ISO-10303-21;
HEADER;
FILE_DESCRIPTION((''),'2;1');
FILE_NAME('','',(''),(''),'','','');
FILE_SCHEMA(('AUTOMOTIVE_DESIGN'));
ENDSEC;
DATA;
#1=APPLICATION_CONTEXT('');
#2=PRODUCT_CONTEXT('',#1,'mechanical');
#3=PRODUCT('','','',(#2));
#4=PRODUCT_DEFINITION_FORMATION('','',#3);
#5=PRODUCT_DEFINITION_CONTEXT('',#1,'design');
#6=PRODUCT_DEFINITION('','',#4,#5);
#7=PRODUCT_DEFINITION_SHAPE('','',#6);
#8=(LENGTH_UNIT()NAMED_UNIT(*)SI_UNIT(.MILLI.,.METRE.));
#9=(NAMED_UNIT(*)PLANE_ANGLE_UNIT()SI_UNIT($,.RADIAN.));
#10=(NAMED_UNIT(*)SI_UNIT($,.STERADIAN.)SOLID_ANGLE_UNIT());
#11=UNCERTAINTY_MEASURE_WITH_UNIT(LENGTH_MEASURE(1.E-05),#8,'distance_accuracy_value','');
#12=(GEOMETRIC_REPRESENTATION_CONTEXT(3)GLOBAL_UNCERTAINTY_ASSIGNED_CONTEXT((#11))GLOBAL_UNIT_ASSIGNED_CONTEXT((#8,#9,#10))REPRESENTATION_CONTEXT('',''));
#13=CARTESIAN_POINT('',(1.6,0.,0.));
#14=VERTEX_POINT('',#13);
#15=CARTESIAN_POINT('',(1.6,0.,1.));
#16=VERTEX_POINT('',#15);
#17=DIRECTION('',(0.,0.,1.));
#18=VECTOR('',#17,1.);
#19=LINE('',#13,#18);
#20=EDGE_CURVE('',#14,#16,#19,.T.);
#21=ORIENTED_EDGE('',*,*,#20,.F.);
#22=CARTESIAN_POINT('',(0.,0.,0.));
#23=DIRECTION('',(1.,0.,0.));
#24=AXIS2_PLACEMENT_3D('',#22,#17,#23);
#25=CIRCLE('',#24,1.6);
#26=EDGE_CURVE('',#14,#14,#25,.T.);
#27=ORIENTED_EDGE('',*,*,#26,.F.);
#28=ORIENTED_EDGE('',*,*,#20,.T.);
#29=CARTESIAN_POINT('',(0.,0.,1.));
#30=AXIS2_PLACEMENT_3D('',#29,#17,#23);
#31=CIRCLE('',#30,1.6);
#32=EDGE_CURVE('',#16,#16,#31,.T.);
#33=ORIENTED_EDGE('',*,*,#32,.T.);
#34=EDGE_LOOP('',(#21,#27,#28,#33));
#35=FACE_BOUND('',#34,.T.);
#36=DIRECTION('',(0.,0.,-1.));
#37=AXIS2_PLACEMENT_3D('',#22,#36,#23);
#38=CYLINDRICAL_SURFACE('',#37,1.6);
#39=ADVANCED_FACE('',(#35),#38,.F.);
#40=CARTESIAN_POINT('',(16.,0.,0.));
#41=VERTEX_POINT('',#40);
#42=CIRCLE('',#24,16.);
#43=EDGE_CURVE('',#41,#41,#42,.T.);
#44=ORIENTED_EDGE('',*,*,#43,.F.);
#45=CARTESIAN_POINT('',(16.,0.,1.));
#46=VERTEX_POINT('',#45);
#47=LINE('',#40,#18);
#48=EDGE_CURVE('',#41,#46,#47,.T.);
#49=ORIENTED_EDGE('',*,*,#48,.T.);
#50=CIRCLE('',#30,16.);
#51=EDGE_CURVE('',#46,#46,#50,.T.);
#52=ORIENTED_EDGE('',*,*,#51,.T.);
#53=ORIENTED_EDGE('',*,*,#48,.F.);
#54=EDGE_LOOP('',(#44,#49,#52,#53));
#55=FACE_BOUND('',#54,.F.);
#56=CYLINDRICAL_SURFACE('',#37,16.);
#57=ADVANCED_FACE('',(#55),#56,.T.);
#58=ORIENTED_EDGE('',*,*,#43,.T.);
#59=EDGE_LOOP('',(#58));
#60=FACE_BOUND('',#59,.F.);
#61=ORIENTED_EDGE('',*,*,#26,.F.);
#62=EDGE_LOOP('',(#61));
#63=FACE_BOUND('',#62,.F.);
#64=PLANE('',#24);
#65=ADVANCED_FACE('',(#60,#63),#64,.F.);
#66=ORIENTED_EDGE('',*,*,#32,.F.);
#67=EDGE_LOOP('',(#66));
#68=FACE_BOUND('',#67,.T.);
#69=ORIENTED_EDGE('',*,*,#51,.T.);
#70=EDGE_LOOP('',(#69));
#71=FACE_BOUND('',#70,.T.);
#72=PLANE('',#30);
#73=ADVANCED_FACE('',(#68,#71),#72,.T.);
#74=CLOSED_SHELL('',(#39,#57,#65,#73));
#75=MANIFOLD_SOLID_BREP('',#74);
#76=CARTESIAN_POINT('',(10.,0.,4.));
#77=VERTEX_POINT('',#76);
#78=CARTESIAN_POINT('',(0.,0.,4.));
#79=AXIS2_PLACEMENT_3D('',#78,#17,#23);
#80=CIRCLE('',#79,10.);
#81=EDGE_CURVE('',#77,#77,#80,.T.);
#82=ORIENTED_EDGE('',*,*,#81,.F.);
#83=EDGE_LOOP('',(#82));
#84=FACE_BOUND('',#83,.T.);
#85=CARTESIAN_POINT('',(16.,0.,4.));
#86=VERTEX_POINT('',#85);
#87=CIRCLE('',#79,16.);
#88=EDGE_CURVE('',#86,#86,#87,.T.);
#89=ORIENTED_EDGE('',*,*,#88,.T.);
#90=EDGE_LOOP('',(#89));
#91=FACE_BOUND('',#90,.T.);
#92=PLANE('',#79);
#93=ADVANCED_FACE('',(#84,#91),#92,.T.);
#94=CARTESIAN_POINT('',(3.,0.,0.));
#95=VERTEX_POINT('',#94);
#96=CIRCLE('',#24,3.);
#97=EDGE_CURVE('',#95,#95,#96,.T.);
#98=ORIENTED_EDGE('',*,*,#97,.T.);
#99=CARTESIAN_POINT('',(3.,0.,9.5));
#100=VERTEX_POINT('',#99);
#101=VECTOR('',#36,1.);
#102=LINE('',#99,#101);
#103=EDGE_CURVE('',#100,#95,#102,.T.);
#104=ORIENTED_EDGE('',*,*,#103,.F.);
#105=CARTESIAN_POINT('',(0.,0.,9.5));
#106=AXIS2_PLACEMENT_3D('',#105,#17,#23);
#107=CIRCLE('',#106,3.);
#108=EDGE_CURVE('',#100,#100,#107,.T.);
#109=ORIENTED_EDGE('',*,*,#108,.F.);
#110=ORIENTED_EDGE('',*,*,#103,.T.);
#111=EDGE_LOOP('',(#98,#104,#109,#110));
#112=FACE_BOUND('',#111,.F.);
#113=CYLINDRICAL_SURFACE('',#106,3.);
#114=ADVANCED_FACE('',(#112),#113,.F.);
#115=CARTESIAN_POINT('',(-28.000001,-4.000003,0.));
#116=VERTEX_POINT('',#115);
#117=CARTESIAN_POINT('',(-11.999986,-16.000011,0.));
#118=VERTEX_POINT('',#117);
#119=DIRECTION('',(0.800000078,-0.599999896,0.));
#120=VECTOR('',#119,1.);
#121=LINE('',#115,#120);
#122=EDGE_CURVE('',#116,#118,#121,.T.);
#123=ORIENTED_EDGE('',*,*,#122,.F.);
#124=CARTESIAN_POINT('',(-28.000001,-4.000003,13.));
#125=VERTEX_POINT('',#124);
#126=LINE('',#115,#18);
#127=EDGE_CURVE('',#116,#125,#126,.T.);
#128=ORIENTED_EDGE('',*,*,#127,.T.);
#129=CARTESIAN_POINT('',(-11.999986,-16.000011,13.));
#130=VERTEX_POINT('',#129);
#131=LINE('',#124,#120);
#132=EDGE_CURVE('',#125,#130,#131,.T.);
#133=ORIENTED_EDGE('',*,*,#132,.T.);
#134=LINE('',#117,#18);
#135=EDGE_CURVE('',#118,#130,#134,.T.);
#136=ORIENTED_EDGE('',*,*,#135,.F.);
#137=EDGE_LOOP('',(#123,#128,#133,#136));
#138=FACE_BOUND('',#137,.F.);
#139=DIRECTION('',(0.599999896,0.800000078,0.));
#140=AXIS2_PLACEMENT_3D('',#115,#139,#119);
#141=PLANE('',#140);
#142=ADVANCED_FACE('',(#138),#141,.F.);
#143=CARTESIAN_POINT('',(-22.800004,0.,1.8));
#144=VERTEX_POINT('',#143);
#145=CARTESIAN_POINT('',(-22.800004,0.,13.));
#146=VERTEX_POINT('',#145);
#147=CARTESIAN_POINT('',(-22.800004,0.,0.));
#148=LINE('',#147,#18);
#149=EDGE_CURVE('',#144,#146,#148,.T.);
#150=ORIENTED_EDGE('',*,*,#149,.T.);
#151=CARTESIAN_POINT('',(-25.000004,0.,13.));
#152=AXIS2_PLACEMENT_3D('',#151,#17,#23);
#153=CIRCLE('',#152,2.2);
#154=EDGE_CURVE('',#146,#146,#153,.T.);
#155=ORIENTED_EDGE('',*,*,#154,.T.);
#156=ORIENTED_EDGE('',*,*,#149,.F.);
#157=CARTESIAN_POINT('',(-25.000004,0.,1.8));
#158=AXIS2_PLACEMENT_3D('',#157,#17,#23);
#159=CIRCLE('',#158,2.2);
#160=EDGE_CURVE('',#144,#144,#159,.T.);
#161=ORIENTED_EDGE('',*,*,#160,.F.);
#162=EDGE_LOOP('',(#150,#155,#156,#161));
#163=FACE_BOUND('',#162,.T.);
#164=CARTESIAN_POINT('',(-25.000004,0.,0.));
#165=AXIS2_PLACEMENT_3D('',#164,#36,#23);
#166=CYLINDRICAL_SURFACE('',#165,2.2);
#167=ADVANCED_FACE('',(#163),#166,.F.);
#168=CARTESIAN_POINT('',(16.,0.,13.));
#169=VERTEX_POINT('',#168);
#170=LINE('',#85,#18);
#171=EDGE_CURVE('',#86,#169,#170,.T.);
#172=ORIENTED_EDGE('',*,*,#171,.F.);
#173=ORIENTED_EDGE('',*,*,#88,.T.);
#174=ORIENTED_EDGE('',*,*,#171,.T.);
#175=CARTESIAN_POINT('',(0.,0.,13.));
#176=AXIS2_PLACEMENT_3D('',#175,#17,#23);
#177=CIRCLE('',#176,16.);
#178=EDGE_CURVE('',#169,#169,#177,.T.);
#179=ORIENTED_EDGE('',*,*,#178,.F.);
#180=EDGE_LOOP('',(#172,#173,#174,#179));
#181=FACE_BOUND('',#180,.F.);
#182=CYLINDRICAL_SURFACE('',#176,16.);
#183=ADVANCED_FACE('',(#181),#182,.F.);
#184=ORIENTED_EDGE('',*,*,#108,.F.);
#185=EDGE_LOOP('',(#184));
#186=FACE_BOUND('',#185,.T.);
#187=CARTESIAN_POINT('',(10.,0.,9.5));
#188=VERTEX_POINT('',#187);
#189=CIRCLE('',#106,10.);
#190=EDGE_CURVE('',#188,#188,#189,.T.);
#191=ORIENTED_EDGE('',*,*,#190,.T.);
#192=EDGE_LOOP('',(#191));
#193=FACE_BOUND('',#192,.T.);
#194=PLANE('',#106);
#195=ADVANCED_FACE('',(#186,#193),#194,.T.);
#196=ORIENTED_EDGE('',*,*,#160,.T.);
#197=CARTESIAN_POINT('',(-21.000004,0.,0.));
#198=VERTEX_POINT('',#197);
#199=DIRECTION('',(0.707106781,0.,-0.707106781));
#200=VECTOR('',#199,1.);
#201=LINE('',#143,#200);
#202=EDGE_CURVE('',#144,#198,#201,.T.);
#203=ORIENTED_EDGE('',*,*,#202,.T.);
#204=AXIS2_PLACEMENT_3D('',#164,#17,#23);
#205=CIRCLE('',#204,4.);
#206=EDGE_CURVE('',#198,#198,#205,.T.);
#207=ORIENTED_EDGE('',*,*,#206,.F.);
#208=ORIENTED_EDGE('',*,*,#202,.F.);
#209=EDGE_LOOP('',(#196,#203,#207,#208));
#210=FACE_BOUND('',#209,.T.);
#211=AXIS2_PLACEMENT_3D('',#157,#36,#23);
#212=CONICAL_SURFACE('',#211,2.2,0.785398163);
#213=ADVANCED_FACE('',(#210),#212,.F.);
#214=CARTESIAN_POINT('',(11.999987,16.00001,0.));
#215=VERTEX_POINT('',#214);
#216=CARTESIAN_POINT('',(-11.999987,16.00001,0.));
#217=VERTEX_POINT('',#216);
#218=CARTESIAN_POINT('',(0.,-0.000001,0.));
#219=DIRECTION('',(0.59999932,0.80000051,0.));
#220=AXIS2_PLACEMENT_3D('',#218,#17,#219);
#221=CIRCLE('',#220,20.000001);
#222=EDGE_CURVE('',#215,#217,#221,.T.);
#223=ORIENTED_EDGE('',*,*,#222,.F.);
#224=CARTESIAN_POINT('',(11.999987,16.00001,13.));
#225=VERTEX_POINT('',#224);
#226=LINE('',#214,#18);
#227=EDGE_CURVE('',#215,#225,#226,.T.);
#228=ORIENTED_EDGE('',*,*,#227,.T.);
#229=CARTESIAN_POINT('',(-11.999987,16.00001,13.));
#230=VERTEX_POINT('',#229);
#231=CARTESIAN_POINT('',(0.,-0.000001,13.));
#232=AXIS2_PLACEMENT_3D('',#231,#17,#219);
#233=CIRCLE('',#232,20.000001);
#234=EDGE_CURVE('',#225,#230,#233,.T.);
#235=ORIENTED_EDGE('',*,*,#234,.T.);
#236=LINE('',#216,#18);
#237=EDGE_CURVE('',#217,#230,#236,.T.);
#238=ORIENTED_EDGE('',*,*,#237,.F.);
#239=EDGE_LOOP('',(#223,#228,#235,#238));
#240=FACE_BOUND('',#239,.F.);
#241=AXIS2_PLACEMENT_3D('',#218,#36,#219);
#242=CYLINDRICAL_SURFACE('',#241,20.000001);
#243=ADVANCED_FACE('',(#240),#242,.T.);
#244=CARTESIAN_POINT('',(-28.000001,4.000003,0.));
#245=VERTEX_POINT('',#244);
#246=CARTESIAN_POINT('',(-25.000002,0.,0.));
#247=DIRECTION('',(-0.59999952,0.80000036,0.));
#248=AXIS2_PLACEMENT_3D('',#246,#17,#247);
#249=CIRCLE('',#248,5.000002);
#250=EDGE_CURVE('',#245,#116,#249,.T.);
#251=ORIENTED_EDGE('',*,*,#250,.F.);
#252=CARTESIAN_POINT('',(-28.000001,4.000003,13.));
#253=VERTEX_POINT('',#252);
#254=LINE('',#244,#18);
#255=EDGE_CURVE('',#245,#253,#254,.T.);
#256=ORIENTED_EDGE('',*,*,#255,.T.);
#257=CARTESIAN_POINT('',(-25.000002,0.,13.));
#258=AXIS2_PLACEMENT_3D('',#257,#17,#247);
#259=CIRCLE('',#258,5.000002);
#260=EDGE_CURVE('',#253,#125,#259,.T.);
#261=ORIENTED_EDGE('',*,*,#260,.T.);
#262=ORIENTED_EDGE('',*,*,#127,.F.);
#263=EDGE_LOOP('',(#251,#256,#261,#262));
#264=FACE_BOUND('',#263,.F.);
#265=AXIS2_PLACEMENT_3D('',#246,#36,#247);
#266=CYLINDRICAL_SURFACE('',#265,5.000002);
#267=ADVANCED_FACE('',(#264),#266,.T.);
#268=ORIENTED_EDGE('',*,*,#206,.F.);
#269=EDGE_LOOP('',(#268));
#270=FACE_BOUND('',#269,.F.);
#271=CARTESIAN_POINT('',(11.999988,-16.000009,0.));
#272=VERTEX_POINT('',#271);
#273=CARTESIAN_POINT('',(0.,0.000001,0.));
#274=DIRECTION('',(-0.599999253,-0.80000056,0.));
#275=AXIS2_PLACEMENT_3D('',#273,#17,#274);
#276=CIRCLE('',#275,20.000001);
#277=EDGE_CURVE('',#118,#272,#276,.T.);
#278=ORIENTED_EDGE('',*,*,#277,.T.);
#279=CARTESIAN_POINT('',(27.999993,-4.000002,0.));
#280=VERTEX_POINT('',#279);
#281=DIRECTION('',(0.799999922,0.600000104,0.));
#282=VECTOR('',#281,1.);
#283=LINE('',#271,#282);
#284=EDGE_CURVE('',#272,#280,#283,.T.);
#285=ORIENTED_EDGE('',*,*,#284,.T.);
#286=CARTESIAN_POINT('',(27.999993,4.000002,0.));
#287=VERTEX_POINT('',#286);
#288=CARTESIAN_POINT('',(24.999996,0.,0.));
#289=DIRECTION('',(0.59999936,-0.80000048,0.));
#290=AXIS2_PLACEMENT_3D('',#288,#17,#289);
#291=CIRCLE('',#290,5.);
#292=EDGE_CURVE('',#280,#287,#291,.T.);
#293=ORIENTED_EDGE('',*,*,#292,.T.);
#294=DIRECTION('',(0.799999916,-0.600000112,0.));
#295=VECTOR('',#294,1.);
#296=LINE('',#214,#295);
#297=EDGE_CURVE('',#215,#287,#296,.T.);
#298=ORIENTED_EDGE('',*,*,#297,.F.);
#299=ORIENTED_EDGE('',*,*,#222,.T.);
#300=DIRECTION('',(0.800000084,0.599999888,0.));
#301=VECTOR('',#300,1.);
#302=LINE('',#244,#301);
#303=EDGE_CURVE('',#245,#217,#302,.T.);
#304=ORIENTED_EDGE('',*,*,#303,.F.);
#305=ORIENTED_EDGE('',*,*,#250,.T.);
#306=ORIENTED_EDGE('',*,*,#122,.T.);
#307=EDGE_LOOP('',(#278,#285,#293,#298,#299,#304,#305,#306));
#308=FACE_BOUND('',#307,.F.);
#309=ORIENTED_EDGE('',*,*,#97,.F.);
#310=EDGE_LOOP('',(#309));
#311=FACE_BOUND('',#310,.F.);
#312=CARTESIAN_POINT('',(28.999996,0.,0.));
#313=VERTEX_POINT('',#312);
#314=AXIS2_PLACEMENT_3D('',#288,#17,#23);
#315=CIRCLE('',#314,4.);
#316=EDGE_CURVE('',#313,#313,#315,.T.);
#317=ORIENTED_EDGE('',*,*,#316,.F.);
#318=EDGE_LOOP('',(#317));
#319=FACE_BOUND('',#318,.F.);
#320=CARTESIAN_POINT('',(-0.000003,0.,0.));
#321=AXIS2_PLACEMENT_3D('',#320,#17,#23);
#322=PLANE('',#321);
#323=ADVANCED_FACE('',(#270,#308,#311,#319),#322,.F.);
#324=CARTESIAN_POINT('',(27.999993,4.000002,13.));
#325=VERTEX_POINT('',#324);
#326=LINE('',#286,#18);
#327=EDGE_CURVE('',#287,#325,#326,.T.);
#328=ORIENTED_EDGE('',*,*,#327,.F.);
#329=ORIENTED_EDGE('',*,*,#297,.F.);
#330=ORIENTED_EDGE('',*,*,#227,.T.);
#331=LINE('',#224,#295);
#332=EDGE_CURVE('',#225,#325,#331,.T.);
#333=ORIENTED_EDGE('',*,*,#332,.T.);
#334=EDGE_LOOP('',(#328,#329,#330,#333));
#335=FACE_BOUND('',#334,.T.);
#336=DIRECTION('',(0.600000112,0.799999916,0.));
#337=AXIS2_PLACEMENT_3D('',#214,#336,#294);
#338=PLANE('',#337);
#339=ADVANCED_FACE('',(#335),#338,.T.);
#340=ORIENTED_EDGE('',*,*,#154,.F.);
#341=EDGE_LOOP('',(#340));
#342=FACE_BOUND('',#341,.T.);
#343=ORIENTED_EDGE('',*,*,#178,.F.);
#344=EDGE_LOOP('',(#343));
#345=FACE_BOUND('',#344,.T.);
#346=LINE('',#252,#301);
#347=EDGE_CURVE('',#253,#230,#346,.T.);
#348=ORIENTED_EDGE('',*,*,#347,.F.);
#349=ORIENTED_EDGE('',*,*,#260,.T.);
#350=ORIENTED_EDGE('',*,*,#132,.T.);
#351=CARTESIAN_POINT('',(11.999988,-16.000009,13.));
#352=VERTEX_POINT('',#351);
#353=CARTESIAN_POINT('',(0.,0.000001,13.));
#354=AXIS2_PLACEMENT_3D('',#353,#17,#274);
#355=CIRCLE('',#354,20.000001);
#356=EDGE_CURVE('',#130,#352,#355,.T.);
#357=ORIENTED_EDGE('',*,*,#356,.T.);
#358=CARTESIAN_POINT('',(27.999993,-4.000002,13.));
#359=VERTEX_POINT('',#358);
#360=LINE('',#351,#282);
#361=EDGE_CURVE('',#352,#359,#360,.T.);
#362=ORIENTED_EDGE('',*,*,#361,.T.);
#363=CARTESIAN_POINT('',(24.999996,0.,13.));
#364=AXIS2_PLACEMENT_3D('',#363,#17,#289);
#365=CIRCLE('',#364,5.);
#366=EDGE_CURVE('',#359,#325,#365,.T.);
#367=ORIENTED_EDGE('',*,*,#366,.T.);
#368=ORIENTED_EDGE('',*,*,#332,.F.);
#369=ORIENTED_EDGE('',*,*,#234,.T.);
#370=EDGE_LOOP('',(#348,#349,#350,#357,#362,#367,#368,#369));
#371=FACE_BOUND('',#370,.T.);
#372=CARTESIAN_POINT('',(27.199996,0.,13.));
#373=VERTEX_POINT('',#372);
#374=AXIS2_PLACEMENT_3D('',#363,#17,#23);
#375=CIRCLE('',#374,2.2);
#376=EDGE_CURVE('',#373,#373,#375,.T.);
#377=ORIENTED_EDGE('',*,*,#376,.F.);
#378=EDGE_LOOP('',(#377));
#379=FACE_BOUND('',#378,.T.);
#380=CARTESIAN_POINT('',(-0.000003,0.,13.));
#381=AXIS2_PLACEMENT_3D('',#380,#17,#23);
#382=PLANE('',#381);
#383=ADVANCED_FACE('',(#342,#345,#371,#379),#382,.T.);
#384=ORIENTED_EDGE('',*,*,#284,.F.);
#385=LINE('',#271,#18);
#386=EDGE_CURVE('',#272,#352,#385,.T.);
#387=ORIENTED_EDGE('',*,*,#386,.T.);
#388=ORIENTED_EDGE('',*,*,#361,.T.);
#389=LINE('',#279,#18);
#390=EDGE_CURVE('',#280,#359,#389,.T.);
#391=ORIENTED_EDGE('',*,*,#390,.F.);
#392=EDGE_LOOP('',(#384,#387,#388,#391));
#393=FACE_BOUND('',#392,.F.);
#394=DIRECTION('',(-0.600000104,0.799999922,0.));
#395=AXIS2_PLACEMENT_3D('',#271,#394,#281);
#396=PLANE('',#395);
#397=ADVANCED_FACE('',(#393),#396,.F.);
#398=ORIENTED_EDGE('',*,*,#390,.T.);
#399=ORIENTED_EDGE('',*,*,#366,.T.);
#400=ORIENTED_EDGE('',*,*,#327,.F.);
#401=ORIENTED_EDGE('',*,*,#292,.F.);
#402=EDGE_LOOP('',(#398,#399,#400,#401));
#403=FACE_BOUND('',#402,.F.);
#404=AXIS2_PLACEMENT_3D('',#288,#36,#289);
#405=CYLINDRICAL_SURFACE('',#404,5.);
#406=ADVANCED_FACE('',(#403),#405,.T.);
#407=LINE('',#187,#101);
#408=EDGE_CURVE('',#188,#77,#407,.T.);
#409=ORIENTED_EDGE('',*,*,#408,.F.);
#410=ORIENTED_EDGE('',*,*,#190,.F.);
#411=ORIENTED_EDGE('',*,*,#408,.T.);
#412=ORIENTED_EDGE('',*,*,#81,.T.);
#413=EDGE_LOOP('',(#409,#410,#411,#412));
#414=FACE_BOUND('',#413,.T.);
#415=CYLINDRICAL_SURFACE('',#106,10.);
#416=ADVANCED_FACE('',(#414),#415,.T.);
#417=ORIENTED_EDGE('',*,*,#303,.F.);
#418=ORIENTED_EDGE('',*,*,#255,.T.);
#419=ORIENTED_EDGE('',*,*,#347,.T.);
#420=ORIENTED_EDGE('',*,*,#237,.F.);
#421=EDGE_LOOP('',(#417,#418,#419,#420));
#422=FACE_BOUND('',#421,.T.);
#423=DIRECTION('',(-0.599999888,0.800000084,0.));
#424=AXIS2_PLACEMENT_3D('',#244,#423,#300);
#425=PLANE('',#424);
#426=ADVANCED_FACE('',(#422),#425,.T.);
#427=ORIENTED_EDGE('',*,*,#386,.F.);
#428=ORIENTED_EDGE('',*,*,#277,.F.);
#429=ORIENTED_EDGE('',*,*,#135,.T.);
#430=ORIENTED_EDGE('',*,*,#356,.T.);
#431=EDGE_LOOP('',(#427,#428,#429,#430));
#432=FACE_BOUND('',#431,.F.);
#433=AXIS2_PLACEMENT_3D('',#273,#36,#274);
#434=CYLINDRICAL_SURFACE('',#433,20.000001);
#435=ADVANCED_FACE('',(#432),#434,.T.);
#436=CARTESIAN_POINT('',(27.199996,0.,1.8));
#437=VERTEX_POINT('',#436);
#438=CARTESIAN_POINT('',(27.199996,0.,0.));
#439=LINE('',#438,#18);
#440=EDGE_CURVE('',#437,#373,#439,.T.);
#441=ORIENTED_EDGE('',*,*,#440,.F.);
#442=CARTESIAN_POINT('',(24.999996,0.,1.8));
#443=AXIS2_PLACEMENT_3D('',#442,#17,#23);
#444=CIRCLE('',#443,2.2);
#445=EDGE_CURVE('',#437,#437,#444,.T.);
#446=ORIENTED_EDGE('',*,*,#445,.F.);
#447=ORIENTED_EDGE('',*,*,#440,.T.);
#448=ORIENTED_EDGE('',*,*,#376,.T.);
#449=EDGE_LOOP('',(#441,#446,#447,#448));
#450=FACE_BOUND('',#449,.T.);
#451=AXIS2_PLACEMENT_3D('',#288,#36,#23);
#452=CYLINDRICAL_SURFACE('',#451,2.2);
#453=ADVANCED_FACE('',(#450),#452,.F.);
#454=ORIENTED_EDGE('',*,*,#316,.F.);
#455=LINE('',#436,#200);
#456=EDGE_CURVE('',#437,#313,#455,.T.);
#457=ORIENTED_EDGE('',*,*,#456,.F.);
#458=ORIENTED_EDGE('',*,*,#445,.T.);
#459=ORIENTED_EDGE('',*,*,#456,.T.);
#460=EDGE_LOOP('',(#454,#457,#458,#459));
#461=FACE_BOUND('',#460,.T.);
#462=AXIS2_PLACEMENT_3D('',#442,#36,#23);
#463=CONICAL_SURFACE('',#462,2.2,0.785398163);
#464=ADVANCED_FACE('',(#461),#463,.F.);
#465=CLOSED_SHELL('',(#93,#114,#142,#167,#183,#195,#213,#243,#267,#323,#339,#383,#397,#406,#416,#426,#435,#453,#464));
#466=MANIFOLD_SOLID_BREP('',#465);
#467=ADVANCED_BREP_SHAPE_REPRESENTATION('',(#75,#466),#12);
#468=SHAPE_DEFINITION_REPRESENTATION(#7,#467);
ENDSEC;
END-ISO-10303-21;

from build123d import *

# Parameters (mm, degrees)
SKETCH_R        = 2.2
PAD_DEPTH       = 13
SKETCH001_R     = 16
POCKET_DEPTH    = 3.5
SKETCH002_R     = 16
SKETCH002_R_2   = 10
POCKET001_DEPTH = 5.5
CHAMFER_SIZE    = 1.8
SKETCH003_R     = 3
POCKET002_DEPTH = 9.501
SKETCH004_R     = 16
SKETCH004_R_2   = 1.6
PAD001_DEPTH    = 1


with BuildPart() as f_5_drillhole_pocket:
    # Sketch → Pad (new body)
    with BuildSketch(Plane.XY):
        with BuildLine():
            ThreePointArc((-28.000001, 4.000003), (-30.000004, 0), (-28.000001, -4.000003))
            Line((-28.000001, -4.000003), (-11.999986, -16.000011))
            ThreePointArc((-11.999986, -16.000011), (1e-06, -20), (11.999988, -16.000009))
            Line((11.999988, -16.000009), (27.999993, -4.000002))
            ThreePointArc((27.999993, -4.000002), (29.999996, 0), (27.999993, 4.000002))
            Line((11.999987, 16.00001), (27.999993, 4.000002))
            ThreePointArc((11.999987, 16.00001), (0, 20), (-11.999987, 16.00001))
            Line((-28.000001, 4.000003), (-11.999987, 16.00001))
        make_face()
        with Locations((-25.000004, 0)):
            Circle(SKETCH_R, mode=Mode.SUBTRACT)
        with Locations((24.999996, 0)):
            Circle(SKETCH_R, mode=Mode.SUBTRACT)
    extrude(amount=PAD_DEPTH)

    # Sketch001 → Pocket (cut)
    with BuildSketch(Plane.XY.offset(13)):
        Circle(SKETCH001_R)
    extrude(amount=-POCKET_DEPTH, mode=Mode.SUBTRACT)

    # Sketch002 → Pocket001 (cut)
    with BuildSketch(Plane.XY.offset(9.5)):
        Circle(SKETCH002_R)
        Circle(SKETCH002_R_2, mode=Mode.SUBTRACT)
    extrude(amount=-POCKET001_DEPTH, mode=Mode.SUBTRACT)

    # Chamfer
    chamfer_edges = [f_5_drillhole_pocket.edges().sort_by_distance(p)[0] for p in [
        (-27.200004, 0, 0),
        (22.799996, 0, 0),
    ]]
    chamfer(chamfer_edges, length=CHAMFER_SIZE)

    # Sketch003 → Pocket002 (cut, through all)
    with BuildSketch(Plane.XY.offset(9.5)):
        Circle(SKETCH003_R)
    extrude(amount=-POCKET002_DEPTH, mode=Mode.SUBTRACT)


with BuildPart() as f_1_feetpadbase_pad:
    # Sketch004 → Pad001 (new body)
    with BuildSketch(Plane.XY):
        Circle(SKETCH004_R)
        Circle(SKETCH004_R_2, mode=Mode.SUBTRACT)
    extrude(amount=PAD001_DEPTH)


solid = Compound([f_5_drillhole_pocket.part, f_1_feetpadbase_pad.part])
